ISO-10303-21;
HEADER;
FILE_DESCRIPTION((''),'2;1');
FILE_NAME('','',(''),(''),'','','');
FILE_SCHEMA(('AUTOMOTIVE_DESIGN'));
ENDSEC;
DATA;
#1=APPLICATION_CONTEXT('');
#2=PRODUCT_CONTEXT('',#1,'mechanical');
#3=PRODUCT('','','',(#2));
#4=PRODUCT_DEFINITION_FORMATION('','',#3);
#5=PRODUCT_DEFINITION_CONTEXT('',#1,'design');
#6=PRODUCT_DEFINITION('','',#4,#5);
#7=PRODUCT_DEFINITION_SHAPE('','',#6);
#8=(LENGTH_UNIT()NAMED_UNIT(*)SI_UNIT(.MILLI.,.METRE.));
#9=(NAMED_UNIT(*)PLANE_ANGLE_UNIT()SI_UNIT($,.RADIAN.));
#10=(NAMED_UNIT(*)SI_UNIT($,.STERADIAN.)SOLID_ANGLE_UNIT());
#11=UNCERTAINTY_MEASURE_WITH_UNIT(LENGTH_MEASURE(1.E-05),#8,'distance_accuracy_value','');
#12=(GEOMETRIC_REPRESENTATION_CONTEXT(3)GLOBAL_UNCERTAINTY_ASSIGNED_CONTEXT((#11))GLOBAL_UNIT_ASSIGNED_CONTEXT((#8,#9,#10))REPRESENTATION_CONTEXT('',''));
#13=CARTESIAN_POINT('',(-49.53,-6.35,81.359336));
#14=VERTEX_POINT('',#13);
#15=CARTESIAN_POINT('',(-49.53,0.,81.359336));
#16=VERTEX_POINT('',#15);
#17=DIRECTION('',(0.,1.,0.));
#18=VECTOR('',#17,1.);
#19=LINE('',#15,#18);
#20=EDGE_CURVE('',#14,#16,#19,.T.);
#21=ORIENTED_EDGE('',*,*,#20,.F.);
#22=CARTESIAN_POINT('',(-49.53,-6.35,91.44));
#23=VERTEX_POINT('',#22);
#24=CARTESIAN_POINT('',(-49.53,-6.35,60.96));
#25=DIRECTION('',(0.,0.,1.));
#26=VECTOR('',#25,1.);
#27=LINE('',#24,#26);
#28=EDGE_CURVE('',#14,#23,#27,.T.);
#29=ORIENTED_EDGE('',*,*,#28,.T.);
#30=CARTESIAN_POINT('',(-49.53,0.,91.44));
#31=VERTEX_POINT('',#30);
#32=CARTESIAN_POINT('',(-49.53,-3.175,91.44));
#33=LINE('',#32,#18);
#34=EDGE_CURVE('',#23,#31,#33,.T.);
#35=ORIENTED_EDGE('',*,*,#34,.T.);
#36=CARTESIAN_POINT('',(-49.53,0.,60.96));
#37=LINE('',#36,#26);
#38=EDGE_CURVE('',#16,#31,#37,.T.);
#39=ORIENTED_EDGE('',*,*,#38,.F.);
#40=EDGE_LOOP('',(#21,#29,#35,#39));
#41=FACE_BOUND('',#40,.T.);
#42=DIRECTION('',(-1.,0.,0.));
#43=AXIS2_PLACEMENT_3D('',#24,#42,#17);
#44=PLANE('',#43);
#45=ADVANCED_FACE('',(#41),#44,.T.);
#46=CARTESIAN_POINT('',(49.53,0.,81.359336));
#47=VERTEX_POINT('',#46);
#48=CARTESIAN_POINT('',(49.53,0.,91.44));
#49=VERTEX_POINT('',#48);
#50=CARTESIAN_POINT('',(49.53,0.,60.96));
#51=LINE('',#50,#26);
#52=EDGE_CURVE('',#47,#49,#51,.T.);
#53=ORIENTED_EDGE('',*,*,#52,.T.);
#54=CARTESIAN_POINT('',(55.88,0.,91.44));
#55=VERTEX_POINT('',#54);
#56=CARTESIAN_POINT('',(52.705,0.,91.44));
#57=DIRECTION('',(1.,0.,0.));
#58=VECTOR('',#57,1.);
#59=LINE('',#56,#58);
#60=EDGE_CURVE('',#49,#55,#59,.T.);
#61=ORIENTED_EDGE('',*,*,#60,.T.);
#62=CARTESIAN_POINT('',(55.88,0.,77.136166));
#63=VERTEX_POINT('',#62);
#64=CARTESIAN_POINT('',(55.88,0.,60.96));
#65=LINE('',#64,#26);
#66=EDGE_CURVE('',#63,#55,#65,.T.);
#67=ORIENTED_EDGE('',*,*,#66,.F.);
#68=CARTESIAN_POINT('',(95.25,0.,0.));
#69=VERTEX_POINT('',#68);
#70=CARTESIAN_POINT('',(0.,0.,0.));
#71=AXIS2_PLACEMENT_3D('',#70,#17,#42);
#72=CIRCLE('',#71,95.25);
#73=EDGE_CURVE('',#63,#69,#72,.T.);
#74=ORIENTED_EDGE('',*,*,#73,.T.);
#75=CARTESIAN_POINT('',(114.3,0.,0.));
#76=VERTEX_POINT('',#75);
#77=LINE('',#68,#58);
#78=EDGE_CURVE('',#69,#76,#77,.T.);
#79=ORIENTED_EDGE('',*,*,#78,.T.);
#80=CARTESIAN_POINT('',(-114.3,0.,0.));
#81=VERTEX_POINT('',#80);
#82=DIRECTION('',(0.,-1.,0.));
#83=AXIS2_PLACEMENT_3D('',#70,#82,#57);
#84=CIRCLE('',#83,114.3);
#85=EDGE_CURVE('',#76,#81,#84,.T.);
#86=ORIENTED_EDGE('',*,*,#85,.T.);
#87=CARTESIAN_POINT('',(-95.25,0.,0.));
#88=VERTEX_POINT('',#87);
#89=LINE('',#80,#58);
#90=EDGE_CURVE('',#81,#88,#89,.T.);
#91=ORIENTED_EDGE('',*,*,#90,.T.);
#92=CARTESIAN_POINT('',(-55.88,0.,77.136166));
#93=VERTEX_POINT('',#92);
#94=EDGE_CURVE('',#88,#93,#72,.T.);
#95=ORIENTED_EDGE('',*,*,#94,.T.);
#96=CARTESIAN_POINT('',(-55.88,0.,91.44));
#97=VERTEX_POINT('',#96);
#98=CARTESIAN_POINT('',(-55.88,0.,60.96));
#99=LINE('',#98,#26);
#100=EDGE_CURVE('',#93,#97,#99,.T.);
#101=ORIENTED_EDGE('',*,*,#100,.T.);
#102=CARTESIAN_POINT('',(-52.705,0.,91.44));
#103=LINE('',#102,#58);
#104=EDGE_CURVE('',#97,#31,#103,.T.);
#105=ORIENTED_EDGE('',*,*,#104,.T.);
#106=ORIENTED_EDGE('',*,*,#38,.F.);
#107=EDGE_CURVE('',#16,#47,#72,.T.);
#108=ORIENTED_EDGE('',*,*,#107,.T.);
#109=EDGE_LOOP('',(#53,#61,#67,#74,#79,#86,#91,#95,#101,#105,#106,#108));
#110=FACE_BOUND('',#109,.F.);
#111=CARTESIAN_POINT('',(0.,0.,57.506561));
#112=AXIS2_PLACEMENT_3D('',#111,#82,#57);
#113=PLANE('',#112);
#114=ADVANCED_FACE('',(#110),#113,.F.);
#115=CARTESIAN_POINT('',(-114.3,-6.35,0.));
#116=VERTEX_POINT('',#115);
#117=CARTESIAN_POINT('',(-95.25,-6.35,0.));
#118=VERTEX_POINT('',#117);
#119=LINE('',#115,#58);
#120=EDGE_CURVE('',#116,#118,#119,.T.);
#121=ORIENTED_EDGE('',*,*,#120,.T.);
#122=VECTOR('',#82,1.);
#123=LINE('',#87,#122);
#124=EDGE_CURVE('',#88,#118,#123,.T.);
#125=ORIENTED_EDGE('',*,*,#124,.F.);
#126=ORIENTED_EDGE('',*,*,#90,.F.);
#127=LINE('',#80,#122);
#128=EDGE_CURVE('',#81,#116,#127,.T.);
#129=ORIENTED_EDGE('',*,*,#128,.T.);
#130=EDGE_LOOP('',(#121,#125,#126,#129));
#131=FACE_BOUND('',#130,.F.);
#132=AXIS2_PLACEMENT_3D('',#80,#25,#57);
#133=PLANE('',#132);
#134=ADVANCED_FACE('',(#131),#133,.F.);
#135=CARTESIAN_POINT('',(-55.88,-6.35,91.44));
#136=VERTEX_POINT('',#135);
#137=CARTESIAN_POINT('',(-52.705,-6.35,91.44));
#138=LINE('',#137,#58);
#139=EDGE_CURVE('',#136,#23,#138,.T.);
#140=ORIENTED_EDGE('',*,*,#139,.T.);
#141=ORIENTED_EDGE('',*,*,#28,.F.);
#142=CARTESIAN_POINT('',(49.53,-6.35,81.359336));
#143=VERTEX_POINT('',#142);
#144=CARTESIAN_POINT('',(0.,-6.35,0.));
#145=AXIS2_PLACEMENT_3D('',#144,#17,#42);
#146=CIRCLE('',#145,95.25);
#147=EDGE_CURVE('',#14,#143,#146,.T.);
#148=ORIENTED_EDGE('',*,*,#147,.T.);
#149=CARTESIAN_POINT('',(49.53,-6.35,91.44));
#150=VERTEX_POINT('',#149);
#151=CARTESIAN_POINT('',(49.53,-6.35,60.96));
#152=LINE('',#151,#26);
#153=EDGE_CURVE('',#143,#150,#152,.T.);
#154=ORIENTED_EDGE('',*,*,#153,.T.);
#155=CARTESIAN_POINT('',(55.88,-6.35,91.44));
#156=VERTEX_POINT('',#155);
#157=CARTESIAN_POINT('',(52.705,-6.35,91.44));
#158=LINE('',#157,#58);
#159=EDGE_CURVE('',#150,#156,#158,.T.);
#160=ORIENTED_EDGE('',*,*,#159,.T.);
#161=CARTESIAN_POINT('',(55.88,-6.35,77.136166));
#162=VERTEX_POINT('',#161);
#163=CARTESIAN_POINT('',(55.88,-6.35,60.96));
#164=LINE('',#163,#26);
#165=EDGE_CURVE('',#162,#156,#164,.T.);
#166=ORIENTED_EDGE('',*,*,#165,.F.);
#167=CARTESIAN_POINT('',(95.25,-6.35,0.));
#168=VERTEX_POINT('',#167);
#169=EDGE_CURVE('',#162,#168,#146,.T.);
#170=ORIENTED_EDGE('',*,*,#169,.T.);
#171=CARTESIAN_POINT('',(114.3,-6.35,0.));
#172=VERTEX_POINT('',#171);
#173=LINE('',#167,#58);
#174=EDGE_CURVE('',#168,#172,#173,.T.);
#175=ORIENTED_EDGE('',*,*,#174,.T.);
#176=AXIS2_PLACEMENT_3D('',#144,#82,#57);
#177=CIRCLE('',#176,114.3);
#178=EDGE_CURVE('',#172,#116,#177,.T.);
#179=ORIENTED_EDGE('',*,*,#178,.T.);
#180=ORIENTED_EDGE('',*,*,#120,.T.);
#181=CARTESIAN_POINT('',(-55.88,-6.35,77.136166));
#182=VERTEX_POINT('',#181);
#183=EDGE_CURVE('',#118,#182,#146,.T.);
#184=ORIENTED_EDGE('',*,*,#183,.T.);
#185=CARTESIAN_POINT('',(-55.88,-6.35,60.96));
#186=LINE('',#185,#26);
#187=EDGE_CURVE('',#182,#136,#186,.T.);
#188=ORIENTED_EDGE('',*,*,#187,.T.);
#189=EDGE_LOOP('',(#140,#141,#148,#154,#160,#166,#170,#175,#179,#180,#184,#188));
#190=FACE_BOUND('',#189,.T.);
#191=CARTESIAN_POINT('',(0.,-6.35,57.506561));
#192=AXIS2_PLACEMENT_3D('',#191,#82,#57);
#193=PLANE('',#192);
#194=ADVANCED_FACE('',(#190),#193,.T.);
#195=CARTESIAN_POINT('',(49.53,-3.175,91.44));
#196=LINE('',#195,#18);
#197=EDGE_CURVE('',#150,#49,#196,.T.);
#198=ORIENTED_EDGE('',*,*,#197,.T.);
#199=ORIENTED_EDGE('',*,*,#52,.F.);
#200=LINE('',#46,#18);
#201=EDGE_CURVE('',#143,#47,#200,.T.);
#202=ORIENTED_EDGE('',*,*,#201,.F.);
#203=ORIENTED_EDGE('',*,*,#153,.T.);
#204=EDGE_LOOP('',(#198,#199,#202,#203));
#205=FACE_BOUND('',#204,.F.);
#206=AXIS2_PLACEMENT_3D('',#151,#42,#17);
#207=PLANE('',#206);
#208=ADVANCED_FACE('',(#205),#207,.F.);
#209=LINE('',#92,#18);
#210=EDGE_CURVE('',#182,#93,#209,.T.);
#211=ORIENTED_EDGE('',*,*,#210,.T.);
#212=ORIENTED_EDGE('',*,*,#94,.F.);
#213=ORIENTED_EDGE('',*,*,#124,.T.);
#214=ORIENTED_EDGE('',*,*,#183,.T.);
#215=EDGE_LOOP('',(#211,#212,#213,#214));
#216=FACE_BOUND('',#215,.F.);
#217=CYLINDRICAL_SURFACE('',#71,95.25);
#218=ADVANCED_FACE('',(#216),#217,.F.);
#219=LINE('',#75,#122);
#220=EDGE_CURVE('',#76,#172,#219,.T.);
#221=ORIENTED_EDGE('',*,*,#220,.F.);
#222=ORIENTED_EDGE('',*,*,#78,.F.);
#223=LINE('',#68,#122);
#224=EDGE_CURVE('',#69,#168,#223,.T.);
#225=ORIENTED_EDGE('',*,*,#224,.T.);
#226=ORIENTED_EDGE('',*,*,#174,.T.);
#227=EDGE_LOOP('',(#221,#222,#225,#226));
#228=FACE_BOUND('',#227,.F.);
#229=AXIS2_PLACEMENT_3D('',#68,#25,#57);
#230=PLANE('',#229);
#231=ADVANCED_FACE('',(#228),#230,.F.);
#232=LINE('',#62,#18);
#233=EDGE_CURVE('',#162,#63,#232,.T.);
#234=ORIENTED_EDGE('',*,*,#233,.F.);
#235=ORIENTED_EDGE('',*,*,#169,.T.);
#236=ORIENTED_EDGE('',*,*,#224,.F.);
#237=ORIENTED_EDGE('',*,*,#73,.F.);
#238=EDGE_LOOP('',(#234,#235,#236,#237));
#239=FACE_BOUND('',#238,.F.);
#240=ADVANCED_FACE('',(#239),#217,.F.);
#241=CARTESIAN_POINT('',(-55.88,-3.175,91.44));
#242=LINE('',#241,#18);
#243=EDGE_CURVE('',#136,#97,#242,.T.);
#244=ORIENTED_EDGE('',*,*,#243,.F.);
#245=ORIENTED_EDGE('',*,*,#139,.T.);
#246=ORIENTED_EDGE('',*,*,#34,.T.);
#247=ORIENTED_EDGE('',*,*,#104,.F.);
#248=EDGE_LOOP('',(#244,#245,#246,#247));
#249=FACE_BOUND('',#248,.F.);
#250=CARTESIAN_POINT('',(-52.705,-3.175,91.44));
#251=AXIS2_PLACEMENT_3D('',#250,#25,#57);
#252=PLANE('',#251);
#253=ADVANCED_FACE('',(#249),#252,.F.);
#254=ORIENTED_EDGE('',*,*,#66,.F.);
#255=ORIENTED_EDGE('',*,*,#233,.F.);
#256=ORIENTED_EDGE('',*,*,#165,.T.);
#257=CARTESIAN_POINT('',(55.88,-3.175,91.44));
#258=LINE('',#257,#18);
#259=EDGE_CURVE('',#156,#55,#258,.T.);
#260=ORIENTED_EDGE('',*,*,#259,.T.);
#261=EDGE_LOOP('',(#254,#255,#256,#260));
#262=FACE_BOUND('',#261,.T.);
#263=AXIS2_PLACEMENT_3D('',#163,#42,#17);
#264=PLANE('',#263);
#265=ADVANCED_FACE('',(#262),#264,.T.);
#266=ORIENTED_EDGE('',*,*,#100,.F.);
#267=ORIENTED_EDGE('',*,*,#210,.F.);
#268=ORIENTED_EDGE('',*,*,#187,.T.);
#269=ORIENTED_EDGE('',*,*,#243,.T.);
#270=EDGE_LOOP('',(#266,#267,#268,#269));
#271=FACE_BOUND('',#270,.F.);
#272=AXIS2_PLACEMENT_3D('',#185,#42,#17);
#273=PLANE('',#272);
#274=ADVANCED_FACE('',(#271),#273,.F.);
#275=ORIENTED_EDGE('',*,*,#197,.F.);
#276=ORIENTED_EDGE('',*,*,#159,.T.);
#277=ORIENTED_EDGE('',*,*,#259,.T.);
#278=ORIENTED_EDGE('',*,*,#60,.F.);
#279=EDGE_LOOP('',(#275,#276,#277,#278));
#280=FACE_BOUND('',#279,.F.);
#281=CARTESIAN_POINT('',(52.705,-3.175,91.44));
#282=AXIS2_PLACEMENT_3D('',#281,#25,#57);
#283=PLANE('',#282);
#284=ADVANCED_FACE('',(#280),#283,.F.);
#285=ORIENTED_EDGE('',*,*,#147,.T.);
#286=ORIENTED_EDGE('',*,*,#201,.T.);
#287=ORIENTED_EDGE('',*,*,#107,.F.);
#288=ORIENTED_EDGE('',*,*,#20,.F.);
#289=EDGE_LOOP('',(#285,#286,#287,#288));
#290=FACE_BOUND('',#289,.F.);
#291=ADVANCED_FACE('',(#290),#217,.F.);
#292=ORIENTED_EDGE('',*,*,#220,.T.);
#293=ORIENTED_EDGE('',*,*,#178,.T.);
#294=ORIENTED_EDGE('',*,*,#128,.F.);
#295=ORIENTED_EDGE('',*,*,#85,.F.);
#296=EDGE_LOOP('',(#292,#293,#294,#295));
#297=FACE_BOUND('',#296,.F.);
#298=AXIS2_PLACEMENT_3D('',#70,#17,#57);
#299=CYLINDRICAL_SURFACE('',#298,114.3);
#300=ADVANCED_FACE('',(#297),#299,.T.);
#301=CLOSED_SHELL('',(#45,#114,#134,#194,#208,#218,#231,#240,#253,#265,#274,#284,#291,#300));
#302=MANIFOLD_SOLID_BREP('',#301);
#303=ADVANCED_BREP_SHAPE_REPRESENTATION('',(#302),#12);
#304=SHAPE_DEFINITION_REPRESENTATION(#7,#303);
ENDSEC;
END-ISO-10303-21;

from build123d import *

# Parameters (mm, degrees)
F1_DEPTH = 6.35
F3_W     = 6.35
F3_H     = 6.35
F4_DEPTH = 30.48


with BuildPart() as f1:
    # F0 (on Front) → F1 (new body)
    with BuildSketch(Plane.XZ):
        with BuildLine():
            Line((95.25, 0), (114.3, 0))
            ThreePointArc((114.3, 0), (0, 114.3), (-114.3, 0))
            Line((-114.3, 0), (-95.25, 0))
            ThreePointArc((-95.25, 0), (0, 95.25), (95.25, 0))
        make_face()
    extrude(amount=F1_DEPTH)

    # F3 (on offset) → F4 (cut)
    with BuildSketch(Plane.XY.offset(60.96)):
        with Locations((-52.705, -3.175)):
            Rectangle(F3_W, F3_H)
        with Locations((52.705, -3.175)):
            Rectangle(F3_W, F3_H)
    extrude(amount=F4_DEPTH, mode=Mode.SUBTRACT)


solid = f1.part
